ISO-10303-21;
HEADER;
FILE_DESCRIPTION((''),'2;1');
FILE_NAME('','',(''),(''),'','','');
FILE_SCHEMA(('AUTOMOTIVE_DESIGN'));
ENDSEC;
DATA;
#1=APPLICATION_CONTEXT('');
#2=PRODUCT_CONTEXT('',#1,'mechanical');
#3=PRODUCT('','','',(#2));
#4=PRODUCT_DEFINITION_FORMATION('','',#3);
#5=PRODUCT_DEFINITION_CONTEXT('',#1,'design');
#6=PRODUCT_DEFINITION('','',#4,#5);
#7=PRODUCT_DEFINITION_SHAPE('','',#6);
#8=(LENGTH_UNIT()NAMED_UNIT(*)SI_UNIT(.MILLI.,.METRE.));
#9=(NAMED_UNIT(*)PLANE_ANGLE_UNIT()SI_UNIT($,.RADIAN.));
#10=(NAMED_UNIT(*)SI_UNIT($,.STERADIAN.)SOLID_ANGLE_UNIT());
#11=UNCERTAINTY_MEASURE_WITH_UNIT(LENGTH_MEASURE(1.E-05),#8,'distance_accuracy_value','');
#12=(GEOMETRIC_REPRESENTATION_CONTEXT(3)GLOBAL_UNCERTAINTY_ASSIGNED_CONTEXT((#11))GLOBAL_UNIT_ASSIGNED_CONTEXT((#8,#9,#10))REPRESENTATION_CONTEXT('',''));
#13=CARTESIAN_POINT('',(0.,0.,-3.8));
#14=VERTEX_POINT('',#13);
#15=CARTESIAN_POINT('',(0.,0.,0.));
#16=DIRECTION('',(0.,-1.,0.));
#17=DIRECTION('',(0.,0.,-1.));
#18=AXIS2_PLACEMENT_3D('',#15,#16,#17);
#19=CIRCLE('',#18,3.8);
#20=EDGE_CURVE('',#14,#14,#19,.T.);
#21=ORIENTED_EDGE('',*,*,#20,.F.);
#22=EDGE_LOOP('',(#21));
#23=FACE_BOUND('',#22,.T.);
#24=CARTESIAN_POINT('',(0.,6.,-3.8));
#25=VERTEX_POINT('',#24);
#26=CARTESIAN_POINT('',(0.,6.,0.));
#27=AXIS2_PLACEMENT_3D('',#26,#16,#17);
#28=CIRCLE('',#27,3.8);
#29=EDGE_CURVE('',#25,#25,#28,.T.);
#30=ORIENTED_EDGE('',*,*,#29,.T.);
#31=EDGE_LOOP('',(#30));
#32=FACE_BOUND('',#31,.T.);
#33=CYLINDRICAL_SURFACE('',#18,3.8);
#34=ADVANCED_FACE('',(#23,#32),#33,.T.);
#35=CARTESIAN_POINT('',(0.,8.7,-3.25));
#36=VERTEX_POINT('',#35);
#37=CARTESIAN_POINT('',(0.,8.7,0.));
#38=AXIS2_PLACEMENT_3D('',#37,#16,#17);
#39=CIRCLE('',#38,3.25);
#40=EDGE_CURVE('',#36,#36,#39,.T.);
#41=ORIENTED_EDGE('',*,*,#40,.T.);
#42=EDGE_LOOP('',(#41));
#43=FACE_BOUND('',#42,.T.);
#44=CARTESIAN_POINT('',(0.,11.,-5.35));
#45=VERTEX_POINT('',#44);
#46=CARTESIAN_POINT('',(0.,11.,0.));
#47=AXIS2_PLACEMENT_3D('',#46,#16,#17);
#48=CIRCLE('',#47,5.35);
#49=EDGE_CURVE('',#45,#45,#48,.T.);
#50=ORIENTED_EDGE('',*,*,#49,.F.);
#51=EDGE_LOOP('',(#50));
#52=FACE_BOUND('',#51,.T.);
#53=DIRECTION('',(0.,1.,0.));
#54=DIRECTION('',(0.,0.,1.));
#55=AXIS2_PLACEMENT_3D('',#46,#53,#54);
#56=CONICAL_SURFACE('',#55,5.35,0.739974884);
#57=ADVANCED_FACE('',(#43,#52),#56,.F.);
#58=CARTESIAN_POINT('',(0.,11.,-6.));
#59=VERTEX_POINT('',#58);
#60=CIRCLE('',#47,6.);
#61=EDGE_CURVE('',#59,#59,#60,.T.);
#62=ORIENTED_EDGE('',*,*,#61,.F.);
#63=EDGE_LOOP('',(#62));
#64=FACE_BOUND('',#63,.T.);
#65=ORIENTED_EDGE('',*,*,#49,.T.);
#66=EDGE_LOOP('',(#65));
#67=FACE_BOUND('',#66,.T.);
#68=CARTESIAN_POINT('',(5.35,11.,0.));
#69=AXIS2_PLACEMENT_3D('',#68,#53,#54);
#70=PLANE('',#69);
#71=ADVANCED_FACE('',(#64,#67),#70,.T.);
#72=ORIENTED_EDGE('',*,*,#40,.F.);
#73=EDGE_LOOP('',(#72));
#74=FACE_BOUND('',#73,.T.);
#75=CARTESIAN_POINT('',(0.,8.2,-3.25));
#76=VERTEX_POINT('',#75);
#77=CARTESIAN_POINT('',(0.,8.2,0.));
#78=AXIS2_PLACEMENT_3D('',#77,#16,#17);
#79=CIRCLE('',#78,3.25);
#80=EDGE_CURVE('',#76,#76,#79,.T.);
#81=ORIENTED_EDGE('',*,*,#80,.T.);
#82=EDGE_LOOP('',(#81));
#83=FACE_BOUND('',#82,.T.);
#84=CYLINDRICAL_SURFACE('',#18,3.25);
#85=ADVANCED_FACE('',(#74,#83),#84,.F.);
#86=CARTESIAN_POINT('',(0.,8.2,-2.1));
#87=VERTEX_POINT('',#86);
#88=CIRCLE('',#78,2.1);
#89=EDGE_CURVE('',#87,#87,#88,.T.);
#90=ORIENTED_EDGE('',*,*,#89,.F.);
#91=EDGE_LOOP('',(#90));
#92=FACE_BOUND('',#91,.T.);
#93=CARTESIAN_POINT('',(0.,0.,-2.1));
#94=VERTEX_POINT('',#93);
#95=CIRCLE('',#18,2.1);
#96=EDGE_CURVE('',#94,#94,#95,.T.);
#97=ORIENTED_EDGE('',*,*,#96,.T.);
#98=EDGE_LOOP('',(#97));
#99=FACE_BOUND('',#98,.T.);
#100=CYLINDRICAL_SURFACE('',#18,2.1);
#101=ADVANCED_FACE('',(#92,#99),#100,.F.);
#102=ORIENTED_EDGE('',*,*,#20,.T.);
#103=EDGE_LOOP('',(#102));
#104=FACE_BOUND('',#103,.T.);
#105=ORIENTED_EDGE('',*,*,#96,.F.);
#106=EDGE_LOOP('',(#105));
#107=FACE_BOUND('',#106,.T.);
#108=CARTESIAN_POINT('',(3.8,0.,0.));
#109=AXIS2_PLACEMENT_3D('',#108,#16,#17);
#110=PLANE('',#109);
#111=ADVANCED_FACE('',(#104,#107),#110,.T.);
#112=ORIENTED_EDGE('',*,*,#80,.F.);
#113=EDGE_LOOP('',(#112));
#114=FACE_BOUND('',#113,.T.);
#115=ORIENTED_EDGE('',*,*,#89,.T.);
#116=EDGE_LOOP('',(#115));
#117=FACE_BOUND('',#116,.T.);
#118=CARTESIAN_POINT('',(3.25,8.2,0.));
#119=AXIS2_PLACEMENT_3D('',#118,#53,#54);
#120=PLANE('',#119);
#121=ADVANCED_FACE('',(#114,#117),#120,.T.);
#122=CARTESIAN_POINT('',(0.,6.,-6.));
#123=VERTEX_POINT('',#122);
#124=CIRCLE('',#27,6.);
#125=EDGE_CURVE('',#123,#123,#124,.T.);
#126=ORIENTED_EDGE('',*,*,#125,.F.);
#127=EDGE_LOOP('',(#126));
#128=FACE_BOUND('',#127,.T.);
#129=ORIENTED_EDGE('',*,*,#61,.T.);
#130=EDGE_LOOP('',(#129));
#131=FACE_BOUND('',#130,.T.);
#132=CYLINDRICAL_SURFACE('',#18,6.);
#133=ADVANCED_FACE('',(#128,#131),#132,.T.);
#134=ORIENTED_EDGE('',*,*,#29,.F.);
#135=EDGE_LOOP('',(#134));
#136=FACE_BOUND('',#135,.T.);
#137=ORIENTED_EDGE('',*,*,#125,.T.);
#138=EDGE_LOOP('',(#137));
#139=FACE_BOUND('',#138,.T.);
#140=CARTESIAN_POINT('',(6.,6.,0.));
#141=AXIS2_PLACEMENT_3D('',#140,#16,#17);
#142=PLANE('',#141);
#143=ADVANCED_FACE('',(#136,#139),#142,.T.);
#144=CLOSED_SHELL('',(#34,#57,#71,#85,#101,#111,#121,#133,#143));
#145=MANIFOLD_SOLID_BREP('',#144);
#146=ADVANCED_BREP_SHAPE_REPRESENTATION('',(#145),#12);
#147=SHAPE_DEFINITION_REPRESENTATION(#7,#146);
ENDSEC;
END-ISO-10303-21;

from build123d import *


with BuildPart() as part:
    # Sketch1 → Revolve1 (revolve)
    with BuildSketch(Plane.XY):
        Polygon((2.1, 0), (2.1, 8.2), (3.25, 8.2), (3.25, 8.7), (5.35, 11), (6, 11), (6, 6), (3.8, 6), (3.8, 0), align=None)
    revolve(axis=Axis((0, 0, 0), (0, 1, 0)))


solid = part.part
